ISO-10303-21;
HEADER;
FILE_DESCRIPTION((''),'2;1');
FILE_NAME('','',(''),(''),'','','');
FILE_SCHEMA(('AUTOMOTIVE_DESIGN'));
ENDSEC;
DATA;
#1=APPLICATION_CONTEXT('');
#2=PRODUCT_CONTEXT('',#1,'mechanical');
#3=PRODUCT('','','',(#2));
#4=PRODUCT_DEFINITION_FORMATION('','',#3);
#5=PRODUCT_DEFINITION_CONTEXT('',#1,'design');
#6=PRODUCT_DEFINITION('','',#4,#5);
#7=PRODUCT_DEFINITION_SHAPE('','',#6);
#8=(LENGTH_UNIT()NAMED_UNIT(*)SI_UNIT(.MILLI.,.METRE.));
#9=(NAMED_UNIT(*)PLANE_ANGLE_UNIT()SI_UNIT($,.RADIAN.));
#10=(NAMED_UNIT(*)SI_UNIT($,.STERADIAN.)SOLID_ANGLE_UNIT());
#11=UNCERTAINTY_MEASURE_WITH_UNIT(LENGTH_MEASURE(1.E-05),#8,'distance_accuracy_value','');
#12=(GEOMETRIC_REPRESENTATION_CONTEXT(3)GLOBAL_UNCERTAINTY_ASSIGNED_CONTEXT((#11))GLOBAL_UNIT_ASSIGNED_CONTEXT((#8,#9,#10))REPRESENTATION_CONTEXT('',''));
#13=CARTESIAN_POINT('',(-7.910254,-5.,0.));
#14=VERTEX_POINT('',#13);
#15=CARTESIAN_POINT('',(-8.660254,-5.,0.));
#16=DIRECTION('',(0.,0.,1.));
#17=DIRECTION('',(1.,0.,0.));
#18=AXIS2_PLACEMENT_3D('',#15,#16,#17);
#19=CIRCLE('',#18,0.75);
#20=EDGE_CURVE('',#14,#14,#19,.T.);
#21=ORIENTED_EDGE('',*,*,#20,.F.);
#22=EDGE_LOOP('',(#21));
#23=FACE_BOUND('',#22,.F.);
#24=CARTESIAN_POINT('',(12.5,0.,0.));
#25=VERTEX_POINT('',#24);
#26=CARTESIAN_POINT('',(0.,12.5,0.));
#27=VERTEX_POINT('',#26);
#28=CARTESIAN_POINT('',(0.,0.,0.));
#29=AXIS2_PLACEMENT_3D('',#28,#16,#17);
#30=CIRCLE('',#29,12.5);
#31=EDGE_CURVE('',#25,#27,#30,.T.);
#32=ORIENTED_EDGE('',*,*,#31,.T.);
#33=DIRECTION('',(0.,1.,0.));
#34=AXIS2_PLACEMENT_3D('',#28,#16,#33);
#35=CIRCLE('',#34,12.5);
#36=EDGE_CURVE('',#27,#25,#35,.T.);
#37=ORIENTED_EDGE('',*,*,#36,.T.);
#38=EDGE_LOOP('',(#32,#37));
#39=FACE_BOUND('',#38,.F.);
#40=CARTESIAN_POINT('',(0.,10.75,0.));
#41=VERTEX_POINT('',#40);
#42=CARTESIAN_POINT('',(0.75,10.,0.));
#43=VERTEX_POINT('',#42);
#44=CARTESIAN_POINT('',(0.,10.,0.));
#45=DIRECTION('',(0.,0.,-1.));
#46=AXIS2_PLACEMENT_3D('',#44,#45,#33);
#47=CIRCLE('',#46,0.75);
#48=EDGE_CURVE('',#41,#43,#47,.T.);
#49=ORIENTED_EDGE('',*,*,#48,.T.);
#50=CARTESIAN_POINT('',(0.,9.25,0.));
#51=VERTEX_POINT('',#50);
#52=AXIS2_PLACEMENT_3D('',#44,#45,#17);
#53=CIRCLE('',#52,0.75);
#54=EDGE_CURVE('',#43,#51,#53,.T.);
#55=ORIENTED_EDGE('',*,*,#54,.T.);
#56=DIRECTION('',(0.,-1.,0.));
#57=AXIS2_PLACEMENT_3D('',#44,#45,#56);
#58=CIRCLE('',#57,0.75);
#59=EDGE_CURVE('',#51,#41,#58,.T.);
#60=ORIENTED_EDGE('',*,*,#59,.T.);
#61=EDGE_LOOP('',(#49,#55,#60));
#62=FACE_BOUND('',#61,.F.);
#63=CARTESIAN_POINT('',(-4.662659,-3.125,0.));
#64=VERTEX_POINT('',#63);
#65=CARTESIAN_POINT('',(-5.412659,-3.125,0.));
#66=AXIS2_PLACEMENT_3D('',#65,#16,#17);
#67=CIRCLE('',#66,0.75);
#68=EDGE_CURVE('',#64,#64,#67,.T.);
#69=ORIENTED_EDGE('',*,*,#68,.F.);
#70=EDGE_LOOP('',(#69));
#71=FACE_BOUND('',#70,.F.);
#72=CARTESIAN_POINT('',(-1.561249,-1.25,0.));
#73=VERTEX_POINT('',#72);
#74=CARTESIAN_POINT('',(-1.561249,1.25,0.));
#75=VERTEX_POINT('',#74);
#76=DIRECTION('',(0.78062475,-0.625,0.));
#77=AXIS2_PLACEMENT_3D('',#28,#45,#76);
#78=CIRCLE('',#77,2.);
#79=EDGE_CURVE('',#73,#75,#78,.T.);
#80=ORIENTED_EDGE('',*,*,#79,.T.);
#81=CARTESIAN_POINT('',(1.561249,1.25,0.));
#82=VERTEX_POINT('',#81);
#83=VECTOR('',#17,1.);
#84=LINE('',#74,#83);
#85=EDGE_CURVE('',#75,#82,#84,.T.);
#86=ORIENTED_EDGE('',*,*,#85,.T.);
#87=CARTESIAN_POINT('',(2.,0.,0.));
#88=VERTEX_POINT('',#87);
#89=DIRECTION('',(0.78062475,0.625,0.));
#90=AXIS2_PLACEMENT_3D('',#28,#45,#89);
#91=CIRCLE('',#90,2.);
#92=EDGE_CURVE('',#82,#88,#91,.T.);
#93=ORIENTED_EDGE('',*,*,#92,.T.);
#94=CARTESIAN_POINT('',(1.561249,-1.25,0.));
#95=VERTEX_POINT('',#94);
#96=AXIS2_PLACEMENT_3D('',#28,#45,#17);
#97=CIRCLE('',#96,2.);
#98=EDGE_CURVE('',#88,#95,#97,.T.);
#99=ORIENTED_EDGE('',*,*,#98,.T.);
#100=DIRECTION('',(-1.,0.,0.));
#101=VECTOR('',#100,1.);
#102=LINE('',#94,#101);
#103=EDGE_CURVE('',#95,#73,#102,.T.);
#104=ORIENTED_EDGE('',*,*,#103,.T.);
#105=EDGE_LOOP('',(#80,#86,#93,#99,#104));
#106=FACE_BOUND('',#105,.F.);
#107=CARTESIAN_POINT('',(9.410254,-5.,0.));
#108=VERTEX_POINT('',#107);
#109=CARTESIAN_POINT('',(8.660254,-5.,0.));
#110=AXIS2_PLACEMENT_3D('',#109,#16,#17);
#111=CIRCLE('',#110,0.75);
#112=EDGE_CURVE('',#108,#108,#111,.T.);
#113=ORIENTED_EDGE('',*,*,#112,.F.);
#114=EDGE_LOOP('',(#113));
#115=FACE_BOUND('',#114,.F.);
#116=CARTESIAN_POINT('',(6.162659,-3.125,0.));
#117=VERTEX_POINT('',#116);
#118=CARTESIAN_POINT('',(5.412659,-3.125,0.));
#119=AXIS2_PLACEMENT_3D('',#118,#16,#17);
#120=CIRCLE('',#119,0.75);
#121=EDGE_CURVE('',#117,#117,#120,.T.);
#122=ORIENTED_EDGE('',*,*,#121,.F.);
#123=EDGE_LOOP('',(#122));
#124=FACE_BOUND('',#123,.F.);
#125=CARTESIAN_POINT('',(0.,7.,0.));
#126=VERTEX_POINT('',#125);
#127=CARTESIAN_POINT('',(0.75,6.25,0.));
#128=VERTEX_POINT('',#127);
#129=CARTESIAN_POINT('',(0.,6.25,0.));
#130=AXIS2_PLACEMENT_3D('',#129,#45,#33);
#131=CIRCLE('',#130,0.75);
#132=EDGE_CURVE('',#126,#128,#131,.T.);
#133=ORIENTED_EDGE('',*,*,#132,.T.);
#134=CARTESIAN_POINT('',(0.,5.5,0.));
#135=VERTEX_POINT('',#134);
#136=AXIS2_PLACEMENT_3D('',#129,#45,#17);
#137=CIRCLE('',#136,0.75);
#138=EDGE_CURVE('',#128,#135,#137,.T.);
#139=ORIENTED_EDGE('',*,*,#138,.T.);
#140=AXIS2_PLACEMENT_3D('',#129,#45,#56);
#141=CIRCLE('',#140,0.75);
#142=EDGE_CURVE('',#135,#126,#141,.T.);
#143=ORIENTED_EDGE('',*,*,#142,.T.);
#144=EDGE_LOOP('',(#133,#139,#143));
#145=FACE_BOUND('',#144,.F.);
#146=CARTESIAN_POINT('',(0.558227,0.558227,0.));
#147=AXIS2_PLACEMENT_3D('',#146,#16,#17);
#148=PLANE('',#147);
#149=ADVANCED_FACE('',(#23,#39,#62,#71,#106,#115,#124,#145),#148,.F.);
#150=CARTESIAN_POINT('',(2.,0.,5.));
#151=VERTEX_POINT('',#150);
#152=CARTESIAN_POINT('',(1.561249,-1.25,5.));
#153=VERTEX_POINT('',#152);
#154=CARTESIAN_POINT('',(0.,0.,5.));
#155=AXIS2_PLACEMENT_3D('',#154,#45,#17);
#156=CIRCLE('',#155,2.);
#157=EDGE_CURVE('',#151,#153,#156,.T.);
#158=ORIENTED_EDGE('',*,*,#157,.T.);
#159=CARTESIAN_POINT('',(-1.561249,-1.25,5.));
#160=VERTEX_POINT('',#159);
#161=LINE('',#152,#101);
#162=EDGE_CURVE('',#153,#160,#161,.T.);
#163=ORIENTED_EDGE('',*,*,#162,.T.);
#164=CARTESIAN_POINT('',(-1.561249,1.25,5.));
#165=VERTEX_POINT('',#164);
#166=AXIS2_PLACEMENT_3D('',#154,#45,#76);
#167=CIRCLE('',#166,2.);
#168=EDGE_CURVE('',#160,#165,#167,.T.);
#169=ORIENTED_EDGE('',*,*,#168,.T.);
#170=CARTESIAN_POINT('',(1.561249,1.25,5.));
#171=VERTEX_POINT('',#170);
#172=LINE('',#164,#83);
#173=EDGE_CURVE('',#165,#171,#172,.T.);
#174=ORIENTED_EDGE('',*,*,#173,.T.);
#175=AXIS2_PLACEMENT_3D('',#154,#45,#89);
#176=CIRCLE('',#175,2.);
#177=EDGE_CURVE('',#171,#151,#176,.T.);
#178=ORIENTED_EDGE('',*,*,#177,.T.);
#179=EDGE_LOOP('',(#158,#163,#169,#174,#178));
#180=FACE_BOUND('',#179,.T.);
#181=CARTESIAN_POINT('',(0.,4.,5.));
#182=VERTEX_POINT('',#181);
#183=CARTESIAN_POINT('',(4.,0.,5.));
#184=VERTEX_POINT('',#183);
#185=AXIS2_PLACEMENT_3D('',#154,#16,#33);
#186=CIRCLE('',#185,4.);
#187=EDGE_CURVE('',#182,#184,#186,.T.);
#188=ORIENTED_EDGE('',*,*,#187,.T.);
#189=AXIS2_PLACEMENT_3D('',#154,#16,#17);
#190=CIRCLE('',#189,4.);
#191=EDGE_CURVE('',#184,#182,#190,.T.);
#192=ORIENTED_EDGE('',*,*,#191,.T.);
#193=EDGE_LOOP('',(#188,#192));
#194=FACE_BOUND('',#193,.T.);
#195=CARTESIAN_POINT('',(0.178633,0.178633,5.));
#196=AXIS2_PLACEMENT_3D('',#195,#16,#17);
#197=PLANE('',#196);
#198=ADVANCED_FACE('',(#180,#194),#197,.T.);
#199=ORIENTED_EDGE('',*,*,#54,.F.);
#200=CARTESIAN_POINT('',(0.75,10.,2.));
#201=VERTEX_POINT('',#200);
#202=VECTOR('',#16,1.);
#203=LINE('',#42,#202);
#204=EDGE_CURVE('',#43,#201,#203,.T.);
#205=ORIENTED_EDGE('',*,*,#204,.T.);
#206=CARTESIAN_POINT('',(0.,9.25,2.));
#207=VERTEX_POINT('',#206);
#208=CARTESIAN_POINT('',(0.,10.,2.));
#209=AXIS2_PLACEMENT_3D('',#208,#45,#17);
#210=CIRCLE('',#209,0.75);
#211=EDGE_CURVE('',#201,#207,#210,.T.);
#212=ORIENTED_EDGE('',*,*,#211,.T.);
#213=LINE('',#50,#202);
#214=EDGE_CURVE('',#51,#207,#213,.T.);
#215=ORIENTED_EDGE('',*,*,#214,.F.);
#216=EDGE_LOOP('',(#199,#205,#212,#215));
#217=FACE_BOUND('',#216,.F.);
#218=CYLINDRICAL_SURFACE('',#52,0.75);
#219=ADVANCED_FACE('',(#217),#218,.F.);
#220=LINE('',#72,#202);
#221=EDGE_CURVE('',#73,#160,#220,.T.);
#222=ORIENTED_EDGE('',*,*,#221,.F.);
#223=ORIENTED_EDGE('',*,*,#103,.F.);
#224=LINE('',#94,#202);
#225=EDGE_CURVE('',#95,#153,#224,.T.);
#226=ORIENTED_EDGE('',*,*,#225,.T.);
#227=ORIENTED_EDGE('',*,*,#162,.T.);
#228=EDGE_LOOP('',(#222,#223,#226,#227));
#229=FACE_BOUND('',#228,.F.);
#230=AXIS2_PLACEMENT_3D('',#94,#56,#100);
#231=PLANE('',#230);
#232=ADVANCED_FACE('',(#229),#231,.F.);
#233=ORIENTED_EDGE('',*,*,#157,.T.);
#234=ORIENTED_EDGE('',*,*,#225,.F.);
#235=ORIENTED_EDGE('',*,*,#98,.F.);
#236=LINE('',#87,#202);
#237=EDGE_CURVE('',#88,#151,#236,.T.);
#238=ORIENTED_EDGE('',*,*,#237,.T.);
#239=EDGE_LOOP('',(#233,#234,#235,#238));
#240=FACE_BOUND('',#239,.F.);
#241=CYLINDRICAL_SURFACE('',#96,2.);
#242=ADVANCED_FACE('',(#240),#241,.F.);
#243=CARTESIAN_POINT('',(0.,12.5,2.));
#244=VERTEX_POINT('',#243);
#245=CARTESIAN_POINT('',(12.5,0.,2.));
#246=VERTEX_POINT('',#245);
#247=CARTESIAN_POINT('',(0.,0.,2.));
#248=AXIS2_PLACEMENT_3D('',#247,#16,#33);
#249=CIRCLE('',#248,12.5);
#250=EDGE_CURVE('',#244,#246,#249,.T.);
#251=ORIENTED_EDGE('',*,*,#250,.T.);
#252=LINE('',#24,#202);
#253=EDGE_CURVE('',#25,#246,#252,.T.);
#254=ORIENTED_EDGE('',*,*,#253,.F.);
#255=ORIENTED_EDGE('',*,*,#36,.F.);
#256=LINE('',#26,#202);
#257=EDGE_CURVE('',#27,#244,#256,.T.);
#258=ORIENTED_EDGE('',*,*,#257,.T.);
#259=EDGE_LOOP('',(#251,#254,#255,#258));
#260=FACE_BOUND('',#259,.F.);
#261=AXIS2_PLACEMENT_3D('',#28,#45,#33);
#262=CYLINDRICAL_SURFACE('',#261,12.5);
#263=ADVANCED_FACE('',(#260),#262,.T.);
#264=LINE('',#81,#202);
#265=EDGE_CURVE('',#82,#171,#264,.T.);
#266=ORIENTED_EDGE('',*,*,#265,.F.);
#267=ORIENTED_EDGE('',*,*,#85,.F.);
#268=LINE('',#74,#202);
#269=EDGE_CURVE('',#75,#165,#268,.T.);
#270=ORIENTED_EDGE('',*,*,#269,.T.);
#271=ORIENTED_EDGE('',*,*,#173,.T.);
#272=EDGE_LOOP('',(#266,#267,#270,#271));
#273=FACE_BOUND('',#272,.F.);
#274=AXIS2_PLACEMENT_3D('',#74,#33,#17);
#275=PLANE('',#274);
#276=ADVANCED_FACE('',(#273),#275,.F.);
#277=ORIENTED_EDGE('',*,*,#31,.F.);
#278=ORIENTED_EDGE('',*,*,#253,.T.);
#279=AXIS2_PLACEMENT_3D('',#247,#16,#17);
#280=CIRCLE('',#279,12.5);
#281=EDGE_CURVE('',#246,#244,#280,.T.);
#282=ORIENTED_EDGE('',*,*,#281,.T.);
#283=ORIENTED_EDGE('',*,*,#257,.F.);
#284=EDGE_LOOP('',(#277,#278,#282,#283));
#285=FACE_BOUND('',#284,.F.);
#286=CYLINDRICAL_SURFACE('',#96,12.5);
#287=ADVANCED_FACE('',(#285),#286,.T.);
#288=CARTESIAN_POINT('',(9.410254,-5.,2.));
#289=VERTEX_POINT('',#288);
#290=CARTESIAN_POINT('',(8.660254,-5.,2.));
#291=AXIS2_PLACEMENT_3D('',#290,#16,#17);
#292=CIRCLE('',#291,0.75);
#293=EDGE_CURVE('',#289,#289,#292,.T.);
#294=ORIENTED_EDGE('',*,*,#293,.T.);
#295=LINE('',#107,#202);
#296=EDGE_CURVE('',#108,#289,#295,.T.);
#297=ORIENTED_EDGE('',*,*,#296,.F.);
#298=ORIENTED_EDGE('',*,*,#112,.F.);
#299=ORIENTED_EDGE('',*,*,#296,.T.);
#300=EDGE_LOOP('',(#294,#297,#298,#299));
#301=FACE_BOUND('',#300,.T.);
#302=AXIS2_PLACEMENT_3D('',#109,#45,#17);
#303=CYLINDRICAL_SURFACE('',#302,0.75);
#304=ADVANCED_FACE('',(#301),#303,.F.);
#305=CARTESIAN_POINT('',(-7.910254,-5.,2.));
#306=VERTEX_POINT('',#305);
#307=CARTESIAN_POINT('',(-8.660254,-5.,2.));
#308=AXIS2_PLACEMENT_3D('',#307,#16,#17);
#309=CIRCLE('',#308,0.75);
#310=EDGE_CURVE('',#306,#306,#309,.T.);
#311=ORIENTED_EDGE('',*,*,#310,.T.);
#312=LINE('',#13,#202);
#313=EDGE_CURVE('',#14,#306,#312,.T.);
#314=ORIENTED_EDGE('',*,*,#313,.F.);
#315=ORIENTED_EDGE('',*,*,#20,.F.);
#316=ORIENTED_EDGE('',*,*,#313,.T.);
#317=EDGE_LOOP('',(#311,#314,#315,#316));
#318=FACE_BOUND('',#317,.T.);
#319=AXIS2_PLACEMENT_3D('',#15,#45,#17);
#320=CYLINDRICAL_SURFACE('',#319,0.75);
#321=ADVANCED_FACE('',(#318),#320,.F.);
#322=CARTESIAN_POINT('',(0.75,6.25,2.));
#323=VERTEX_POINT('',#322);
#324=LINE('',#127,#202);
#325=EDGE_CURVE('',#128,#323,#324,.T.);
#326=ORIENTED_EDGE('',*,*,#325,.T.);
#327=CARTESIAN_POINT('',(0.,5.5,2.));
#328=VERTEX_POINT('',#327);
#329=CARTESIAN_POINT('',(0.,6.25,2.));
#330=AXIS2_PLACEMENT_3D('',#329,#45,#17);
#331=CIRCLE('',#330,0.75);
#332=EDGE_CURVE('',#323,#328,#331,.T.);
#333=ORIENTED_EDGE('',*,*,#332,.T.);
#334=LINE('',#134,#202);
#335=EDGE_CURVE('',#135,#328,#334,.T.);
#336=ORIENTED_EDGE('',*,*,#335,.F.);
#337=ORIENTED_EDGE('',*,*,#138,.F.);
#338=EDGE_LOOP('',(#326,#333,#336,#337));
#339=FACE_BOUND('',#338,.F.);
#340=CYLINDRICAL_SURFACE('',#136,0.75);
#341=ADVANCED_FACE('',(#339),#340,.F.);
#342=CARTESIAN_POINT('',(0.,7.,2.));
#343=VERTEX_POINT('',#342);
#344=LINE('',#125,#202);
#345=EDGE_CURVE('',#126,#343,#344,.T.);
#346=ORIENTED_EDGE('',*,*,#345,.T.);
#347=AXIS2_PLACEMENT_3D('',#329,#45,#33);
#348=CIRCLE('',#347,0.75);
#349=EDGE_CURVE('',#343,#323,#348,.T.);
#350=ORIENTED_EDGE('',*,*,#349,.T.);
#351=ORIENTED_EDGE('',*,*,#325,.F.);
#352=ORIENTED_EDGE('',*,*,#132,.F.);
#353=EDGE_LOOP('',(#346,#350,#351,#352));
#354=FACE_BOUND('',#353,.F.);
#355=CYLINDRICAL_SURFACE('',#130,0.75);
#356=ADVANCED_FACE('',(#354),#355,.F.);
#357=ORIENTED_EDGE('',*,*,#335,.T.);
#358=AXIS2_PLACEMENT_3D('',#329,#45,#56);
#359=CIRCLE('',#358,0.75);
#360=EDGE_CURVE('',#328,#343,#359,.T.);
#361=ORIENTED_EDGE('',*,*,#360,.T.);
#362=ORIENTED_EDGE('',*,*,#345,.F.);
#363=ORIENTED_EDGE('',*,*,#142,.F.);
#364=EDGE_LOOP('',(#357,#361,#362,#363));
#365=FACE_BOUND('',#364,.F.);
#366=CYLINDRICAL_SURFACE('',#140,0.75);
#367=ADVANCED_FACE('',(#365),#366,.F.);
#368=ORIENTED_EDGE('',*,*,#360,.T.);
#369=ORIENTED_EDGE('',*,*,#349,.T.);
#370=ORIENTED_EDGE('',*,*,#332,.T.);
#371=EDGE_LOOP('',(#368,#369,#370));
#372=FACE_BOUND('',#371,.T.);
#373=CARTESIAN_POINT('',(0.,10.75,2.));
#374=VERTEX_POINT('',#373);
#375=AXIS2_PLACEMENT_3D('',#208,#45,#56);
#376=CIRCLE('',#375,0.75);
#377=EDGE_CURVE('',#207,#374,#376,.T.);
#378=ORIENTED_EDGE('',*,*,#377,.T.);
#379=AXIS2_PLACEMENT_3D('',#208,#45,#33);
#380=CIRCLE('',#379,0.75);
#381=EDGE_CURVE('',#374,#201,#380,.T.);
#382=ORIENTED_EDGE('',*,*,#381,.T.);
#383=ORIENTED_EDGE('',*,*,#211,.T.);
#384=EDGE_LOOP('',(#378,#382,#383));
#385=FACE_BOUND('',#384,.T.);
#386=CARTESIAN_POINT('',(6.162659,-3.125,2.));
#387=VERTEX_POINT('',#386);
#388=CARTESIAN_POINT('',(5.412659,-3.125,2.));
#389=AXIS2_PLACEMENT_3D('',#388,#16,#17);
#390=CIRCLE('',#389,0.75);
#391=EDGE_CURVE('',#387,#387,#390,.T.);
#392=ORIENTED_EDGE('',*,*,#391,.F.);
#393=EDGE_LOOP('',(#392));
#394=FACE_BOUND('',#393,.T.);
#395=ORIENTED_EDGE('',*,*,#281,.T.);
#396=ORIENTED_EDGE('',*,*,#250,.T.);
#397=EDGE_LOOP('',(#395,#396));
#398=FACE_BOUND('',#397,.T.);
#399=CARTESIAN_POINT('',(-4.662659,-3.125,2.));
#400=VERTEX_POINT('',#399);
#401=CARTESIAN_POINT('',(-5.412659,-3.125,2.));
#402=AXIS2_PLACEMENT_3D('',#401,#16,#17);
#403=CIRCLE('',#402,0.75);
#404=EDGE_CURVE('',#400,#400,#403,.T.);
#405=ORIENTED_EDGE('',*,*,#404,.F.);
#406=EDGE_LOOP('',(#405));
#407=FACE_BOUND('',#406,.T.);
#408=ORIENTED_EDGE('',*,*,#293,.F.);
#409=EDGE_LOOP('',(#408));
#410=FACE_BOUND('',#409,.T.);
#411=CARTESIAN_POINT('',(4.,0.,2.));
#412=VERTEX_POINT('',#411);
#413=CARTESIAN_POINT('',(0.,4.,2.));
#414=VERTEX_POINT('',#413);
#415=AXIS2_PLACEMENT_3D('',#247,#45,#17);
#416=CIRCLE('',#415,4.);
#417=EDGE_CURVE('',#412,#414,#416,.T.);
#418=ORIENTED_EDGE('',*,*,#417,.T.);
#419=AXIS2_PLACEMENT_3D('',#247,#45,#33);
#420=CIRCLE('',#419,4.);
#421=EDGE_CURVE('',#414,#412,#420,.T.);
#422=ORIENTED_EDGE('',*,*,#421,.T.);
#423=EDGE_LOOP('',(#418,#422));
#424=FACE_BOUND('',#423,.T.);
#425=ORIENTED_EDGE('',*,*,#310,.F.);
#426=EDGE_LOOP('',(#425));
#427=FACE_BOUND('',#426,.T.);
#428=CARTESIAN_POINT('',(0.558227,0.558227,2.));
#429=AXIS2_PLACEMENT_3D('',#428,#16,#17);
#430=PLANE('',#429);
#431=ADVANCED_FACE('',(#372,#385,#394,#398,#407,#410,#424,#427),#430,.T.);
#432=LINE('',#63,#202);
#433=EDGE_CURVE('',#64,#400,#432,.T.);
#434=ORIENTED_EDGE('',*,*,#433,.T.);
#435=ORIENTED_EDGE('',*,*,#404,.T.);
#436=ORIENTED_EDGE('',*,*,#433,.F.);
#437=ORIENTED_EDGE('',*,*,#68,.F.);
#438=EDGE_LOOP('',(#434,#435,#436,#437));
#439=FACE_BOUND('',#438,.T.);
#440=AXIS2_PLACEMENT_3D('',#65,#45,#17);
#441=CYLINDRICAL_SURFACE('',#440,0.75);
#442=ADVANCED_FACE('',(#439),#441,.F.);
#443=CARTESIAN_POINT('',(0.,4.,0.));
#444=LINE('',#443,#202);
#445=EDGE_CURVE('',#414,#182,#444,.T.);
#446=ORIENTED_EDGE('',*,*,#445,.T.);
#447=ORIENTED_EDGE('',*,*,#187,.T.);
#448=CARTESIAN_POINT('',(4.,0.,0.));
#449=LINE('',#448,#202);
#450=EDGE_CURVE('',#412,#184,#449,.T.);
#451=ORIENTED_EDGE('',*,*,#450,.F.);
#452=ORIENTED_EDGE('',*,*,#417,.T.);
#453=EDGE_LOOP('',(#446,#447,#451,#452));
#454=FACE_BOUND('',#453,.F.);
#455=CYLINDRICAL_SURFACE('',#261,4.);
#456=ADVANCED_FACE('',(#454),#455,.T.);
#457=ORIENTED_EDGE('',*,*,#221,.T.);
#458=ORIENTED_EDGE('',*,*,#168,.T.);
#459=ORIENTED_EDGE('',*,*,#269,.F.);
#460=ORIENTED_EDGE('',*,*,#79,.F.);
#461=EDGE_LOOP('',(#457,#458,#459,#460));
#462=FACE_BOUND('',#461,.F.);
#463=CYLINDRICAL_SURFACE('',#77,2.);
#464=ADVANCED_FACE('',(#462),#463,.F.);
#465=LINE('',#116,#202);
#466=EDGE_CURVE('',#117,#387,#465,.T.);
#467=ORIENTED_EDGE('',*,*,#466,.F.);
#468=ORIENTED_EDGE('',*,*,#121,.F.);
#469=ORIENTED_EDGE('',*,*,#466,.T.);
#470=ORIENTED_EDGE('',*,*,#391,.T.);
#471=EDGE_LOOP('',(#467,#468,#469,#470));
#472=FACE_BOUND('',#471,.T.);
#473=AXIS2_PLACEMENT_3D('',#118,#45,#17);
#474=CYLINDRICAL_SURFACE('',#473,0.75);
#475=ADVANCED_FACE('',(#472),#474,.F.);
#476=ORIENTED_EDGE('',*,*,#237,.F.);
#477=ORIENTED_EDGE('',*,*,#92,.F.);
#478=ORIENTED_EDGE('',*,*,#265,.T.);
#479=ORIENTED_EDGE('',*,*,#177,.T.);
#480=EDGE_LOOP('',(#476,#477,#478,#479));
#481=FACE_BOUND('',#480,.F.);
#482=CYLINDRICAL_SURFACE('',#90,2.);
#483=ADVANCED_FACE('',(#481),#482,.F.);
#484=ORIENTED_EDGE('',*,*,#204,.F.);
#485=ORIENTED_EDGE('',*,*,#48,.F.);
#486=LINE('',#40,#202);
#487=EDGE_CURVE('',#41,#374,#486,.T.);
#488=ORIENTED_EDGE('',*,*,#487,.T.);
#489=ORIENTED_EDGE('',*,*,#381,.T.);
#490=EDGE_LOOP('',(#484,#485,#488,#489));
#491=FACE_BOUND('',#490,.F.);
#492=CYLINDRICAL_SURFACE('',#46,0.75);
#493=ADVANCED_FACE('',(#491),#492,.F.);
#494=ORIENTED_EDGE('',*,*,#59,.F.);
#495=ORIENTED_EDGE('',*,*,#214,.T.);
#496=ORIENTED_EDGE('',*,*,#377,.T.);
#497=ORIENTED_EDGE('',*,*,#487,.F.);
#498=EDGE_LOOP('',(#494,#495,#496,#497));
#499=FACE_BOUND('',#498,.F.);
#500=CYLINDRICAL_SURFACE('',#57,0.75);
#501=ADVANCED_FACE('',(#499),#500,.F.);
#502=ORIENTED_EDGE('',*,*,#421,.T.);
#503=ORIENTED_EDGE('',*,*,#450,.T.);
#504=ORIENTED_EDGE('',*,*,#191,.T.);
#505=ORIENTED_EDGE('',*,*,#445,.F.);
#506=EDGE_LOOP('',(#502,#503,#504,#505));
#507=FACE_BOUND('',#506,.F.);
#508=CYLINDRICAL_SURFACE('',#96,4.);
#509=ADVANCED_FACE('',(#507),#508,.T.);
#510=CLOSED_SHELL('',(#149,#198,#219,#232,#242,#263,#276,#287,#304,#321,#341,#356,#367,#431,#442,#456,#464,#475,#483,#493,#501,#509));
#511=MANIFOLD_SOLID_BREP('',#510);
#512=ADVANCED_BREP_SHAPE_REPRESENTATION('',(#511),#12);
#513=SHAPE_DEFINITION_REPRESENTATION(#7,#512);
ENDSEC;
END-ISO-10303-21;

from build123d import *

# Parameters (mm, degrees)
F0_R     = 0.75
F1_DEPTH = 2
F2_DEPTH = 5


with BuildPart() as f1:
    # F0 (on Top) → F1 (new body)
    with BuildSketch(Plane.XY):
        with BuildLine():
            ThreePointArc((12.5, 0), (8.8388347648, 8.8388347648), (0, 12.5))
            ThreePointArc((0, 12.5), (-8.8388347648, -8.8388347648), (12.5, 0))
        make_face()
        with Locations((-8.6602540378, -5)):
            Circle(F0_R, mode=Mode.SUBTRACT)
        with Locations((-5.4126587737, -3.125)):
            Circle(F0_R, mode=Mode.SUBTRACT)
        with Locations((5.4126587737, -3.125)):
            Circle(F0_R, mode=Mode.SUBTRACT)
        with Locations((8.6602540378, -5)):
            Circle(F0_R, mode=Mode.SUBTRACT)
        with BuildLine():
            ThreePointArc((4, 0), (-2.8284271247, -2.8284271247), (0, 4))
            ThreePointArc((0, 4), (2.8284271247, 2.8284271247), (4, 0))
        make_face(mode=Mode.SUBTRACT)
        with BuildLine():
            ThreePointArc((0.75, 6.25), (0.5303300859, 5.7196699141), (0, 5.5))
            ThreePointArc((0, 5.5), (-0.75, 6.25), (0, 7))
            ThreePointArc((0, 7), (0.5303300859, 6.7803300859), (0.75, 6.25))
        make_face(mode=Mode.SUBTRACT)
        with BuildLine():
            ThreePointArc((0.75, 10), (0.5303300859, 9.4696699141), (0, 9.25))
            ThreePointArc((0, 9.25), (-0.75, 10), (0, 10.75))
            ThreePointArc((0, 10.75), (0.5303300859, 10.5303300859), (0.75, 10))
        make_face(mode=Mode.SUBTRACT)
    extrude(amount=F1_DEPTH)

    # F0 (on Top) → F2 (join)
    with BuildSketch(Plane.XY):
        with BuildLine():
            ThreePointArc((4, 0), (2.8284271247, 2.8284271247), (0, 4))
            ThreePointArc((0, 4), (-2.8284271247, -2.8284271247), (4, 0))
        make_face()
        with BuildLine():
            ThreePointArc((1.5612494996, 1.25), (1.8871273141, 0.6623824427), (2, 0))
            ThreePointArc((2, 0), (1.8871273141, -0.6623824427), (1.5612494996, -1.25))
            ThreePointArc((1.5612494996, -1.25), (0, -2), (-1.5612494996, -1.25))
            ThreePointArc((-1.5612494996, -1.25), (-2, 0), (-1.5612494996, 1.25))
            ThreePointArc((-1.5612494996, 1.25), (-0.8660254038, 1.8027756377), (0, 2))
            ThreePointArc((0, 2), (0.8660254038, 1.8027756377), (1.5612494996, 1.25))
        make_face(mode=Mode.SUBTRACT)
        with BuildLine():
            Line((0, 1.25), (1.5612494996, 1.25))
            ThreePointArc((1.5612494996, 1.25), (0.8660254038, 1.8027756377), (0, 2))
            Line((0, 2), (0, 1.25))
        make_face()
        with BuildLine():
            Line((0, 1.25), (0, 2))
            ThreePointArc((0, 2), (-0.8660254038, 1.8027756377), (-1.5612494996, 1.25))
            Line((-1.5612494996, 1.25), (0, 1.25))
        make_face()
        with BuildLine():
            ThreePointArc((-1.5612494996, -1.25), (0, -2), (1.5612494996, -1.25))
            Line((1.5612494996, -1.25), (-1.5612494996, -1.25))
        make_face()
    extrude(amount=F2_DEPTH)


solid = f1.part
